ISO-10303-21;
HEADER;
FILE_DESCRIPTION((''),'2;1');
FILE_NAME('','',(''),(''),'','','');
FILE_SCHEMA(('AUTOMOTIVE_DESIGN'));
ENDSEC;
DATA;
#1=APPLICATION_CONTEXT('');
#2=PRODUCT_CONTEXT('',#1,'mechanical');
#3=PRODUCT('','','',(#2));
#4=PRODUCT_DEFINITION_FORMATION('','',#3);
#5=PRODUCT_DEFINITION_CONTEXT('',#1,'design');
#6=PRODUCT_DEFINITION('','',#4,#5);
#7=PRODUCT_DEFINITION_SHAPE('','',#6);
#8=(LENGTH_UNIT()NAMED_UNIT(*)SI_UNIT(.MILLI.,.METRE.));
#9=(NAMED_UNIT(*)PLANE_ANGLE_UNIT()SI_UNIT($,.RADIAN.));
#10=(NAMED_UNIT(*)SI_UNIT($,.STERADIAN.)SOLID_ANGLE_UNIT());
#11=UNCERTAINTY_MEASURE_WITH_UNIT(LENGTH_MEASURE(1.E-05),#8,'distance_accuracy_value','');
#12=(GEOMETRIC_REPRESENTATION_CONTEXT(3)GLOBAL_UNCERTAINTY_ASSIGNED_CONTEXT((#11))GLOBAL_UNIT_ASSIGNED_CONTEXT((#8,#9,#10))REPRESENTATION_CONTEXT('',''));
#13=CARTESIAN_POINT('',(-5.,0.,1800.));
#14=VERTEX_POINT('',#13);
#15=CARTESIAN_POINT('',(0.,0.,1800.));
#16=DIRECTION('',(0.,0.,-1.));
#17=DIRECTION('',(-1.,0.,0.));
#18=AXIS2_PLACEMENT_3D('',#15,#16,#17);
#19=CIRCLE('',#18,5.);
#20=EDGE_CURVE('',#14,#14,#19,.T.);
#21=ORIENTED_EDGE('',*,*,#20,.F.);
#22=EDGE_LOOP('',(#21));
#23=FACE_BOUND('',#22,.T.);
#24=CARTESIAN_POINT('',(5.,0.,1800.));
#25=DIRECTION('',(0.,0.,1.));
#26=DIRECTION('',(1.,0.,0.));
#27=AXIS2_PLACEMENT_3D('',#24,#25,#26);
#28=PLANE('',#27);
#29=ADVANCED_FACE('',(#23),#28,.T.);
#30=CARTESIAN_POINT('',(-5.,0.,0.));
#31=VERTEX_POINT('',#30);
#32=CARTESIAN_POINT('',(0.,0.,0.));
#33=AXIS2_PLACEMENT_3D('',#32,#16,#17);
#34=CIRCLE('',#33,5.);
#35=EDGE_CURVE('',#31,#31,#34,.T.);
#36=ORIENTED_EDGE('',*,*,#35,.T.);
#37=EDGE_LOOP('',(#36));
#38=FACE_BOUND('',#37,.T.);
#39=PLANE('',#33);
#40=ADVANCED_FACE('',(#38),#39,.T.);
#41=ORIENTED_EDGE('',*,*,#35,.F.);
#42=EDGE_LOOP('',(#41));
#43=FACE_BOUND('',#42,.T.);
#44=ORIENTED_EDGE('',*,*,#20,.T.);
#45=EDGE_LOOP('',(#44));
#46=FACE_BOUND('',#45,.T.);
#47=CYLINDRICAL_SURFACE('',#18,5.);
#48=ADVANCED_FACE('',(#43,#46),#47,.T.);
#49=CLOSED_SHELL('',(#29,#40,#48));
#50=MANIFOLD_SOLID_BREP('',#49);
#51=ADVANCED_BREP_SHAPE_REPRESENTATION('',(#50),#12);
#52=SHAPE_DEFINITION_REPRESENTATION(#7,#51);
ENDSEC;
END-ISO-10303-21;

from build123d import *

# Parameters (mm, degrees)
ESBO_O1_W = 5
ESBO_O1_H = 1800


with BuildPart() as part:
    # Esboço1 → Revolução1 (revolve)
    with BuildSketch(Plane.XZ):
        with Locations((2.5, 900)):
            Rectangle(ESBO_O1_W, ESBO_O1_H)
    revolve(axis=Axis((0, 0, 1800), (0, 0, -1)))


solid = part.part
